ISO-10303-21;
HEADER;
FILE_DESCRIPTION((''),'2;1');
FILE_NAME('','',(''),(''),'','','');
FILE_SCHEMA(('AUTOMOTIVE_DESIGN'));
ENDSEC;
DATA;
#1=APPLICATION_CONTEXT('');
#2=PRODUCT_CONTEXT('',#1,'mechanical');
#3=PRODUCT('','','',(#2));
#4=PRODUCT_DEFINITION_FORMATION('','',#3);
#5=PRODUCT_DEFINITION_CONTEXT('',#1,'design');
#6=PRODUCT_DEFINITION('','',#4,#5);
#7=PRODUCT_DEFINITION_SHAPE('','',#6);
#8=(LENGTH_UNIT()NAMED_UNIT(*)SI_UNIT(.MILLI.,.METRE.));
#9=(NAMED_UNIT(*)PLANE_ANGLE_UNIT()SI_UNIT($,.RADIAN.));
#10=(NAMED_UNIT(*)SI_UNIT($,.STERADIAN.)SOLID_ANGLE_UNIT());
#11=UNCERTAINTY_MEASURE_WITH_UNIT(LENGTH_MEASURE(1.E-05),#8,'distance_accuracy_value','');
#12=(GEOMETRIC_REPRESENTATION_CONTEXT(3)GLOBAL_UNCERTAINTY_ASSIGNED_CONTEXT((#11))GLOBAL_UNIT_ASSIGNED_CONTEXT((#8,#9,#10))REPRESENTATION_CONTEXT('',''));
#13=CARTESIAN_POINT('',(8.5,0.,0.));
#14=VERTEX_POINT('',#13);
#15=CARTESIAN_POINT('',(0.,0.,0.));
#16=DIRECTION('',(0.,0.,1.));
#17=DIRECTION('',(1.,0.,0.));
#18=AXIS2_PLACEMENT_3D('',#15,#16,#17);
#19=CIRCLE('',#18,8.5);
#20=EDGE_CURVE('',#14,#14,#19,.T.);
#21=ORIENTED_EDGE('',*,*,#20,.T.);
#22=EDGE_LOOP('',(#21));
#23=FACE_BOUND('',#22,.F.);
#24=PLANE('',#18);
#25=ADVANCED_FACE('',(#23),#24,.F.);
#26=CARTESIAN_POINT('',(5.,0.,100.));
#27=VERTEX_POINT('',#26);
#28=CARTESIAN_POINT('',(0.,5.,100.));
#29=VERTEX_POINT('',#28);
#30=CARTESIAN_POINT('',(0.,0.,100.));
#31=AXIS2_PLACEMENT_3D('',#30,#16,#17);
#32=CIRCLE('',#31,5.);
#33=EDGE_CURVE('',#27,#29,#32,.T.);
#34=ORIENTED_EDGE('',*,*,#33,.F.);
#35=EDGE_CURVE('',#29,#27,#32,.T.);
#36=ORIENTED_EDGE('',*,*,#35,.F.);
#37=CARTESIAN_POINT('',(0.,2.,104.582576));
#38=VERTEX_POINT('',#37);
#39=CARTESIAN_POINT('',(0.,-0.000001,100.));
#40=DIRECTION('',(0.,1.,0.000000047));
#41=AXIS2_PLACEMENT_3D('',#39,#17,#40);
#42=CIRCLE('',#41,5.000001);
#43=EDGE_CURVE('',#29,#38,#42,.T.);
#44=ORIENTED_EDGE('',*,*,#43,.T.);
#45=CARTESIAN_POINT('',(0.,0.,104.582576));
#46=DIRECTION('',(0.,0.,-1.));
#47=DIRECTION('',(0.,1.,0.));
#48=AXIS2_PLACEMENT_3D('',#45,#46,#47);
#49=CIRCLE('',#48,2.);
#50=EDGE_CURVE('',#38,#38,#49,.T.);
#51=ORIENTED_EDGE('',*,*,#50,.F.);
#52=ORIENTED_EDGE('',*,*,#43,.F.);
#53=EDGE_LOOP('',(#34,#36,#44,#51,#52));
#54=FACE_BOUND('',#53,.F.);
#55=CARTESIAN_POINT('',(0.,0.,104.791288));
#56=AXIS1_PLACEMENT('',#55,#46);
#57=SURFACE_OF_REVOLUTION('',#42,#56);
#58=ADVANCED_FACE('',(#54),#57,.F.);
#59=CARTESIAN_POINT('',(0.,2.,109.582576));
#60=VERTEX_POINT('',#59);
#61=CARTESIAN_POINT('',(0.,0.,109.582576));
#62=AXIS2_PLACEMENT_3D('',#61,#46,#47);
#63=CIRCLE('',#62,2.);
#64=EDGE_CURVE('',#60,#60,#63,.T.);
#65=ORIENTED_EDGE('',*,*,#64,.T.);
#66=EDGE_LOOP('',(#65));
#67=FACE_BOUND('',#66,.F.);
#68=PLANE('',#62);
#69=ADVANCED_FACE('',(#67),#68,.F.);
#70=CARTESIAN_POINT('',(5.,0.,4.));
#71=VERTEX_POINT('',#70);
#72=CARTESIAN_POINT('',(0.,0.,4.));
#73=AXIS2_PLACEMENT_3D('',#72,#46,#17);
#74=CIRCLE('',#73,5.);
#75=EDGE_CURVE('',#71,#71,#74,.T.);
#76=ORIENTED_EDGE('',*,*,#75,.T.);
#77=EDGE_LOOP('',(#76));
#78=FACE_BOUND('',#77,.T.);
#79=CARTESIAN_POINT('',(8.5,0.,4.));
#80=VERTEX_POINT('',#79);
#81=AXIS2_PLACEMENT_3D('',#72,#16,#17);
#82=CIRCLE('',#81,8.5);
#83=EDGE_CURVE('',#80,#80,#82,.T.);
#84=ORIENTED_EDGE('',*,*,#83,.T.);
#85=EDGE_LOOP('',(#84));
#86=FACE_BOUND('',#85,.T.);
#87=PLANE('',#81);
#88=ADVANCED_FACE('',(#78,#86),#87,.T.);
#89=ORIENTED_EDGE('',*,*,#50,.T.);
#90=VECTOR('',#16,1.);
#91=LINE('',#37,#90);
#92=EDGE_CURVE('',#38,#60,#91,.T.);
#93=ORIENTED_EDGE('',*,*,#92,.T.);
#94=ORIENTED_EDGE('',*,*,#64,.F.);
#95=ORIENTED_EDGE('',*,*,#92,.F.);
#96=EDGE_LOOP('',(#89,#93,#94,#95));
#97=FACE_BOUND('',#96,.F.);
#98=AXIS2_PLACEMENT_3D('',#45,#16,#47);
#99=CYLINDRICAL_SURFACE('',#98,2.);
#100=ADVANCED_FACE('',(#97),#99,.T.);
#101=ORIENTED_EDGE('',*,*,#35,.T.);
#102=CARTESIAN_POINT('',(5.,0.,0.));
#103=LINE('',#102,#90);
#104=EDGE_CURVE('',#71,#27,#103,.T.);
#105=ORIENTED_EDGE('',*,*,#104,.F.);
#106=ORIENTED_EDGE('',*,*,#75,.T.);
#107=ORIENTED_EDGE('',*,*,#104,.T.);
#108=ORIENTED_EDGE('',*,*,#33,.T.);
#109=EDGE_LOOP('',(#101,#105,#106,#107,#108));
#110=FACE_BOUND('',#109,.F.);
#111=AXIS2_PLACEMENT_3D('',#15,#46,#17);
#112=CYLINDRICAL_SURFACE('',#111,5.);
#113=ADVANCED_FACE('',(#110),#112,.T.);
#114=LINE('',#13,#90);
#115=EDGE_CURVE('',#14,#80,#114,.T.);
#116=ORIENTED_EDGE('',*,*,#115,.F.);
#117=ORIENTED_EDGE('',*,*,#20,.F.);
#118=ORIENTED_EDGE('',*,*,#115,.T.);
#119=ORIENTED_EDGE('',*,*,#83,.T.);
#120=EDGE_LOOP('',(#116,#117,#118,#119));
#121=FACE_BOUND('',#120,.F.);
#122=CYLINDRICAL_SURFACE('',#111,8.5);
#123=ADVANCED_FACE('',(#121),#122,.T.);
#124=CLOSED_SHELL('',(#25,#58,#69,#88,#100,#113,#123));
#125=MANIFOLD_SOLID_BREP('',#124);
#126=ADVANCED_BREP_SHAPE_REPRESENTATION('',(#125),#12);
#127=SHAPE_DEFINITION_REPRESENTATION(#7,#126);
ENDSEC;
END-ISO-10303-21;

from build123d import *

# Parameters (mm, degrees)
F0_R     = 8.5
F1_DEPTH = 4
F2_R     = 5
F3_DEPTH = 100


with BuildPart() as f1:
    # F0 (on Top) → F1 (new body)
    with BuildSketch(Plane.XY):
        Circle(F0_R)
    extrude(amount=F1_DEPTH)

    # F2 (on Top) → F3 (join)
    with BuildSketch(Plane.XY):
        Circle(F2_R)
    extrude(amount=F3_DEPTH)

    # F4 (on Right) → F5 (revolve)
    with BuildSketch(Plane.YZ):
        with BuildLine():
            Line((0, 104.582576), (0, 100))
            Line((0, 100), (5, 100))
            ThreePointArc((5, 100), (4.1833, 102.738613), (2, 104.582576))
            Line((2, 104.582576), (0, 104.582576))
        make_face()
        with BuildLine():
            ThreePointArc((0, 105), (1.021548, 104.894532), (2, 104.582576))
            Line((2, 104.582576), (2, 109.582576))
            Line((2, 109.582576), (0, 109.582576))
            Line((0, 109.582576), (0, 105))
        make_face()
        with BuildLine():
            Line((0, 105), (0, 104.582576))
            Line((0, 104.582576), (2, 104.582576))
            ThreePointArc((2, 104.582576), (1.021548, 104.894532), (0, 105))
        make_face()
    revolve(axis=Axis((0, 0, 104.791288), (0, 0, -1)))


solid = f1.part
